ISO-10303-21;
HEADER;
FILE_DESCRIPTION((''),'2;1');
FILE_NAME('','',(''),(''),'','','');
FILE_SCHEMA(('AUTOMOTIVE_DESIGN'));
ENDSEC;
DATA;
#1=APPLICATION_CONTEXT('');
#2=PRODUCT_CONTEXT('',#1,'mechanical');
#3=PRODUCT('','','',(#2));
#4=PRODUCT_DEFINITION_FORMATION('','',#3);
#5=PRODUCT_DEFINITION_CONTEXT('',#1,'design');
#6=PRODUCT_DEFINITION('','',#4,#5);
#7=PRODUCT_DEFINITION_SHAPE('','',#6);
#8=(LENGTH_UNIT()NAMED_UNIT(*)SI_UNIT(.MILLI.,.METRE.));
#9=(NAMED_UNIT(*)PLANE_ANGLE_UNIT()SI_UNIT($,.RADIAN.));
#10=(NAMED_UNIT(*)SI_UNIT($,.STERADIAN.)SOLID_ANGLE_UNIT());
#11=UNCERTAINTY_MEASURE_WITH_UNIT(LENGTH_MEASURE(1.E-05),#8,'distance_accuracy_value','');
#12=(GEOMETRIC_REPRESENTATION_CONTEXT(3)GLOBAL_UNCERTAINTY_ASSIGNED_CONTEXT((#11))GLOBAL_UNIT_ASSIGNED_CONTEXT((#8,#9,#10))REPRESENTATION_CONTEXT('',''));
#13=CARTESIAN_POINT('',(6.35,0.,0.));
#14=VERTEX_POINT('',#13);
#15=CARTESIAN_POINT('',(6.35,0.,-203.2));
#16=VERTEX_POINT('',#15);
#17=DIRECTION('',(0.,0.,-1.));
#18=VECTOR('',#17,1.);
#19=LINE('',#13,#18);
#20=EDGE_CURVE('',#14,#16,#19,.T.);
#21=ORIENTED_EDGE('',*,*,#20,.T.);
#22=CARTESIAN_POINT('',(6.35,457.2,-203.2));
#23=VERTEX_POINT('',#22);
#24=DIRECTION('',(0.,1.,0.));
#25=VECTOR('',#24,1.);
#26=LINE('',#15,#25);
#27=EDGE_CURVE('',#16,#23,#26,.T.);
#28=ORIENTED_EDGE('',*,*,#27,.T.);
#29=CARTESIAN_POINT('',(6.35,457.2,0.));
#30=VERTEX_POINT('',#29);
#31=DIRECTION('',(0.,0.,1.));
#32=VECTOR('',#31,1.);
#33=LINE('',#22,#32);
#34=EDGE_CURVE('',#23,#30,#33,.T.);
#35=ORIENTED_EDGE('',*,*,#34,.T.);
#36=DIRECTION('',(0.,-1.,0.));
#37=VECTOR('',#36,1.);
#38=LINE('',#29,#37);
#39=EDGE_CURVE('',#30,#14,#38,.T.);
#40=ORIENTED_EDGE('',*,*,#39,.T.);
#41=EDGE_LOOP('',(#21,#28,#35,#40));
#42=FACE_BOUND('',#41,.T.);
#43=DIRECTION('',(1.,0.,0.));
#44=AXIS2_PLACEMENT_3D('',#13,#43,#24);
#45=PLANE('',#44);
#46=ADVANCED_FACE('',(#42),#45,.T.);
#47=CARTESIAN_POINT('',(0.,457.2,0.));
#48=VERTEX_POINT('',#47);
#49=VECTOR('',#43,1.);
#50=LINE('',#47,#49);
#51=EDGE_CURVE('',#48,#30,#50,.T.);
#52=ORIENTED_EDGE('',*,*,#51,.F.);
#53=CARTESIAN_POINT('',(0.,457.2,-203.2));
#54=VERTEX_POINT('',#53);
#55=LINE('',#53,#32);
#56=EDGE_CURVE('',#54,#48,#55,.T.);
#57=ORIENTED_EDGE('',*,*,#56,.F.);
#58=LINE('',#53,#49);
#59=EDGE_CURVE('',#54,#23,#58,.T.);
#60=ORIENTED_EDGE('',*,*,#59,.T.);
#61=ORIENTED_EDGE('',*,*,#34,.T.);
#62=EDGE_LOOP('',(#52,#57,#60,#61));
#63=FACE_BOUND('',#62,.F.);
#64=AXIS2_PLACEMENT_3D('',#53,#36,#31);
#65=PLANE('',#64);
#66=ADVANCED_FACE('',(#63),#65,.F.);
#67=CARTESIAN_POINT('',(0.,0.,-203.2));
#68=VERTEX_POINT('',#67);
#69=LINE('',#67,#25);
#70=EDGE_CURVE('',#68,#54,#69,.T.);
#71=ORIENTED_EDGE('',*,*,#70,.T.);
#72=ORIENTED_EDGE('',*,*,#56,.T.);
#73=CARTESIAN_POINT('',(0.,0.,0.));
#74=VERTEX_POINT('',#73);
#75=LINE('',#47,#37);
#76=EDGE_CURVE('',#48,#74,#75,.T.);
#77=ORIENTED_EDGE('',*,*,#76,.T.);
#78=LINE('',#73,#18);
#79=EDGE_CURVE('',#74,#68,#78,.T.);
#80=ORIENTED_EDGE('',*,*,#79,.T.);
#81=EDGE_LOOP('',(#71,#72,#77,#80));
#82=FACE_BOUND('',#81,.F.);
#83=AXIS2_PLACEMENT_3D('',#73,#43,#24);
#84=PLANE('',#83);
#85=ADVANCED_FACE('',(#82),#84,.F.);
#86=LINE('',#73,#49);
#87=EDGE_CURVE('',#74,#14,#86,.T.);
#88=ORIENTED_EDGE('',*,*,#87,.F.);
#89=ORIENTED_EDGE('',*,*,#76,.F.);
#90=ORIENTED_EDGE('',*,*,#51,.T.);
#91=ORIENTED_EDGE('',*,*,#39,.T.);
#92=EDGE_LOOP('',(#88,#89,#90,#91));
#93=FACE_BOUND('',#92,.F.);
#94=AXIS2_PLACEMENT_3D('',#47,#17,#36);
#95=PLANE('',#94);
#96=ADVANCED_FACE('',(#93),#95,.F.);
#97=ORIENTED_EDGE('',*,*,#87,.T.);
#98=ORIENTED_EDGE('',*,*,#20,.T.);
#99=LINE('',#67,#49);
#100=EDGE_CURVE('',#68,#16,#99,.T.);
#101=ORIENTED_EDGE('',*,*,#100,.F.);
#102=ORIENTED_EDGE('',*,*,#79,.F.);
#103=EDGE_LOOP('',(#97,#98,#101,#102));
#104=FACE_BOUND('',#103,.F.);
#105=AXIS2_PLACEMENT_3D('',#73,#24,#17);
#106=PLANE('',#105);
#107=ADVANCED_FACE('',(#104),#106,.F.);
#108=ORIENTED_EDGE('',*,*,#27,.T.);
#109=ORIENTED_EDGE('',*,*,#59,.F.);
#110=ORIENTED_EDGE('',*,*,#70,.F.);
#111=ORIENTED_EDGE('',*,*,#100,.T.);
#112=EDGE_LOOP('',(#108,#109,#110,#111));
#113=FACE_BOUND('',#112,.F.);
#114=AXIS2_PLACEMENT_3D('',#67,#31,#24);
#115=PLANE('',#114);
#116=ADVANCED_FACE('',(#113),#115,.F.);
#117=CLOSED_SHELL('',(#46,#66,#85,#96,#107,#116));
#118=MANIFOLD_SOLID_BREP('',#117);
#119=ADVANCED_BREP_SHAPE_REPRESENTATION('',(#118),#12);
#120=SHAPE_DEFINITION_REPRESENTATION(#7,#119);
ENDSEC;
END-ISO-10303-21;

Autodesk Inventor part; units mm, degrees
ref_plane "YZ Plane" through (0, 0, 0) normal (1, 0, 0) x (0, 1, 0)
ref_plane "XZ Plane" through (0, 0, 0) normal (0, 1, 0) x (-1, 0, 0)
ref_plane "XY Plane" through (0, 0, 0) normal (0, 0, 1) x (1, 0, 0)
sketch "Sketch1" plane through (0, 0, 0) normal (1, 0, 0) x (0, 1, 0)
  line L0 (0, 0) -> (0, -203.2)
  line L1 (0, -203.2) -> (457.2, -203.2)
  line L2 (457.2, -203.2) -> (457.2, 0)
  line L3 (457.2, 0) -> (0, 0)
  dimension "d0" = 203.2
  dimension "d1" = 457.2
extrude "Extrusion1" add sketch "Sketch1" along normal blind 6.35
sketch "Sketch2" plane through (6.35, 0, 0) normal (1, 0, 0) x (0, 0, -1)
  line L0 (203.2, 457.2) -> (0, 457.2) projected
  line L1 (0, 0) -> (203.2, 0) projected
  dimension "d4" = 457.2
properties part number "side_top_plywood_Ocampo"
